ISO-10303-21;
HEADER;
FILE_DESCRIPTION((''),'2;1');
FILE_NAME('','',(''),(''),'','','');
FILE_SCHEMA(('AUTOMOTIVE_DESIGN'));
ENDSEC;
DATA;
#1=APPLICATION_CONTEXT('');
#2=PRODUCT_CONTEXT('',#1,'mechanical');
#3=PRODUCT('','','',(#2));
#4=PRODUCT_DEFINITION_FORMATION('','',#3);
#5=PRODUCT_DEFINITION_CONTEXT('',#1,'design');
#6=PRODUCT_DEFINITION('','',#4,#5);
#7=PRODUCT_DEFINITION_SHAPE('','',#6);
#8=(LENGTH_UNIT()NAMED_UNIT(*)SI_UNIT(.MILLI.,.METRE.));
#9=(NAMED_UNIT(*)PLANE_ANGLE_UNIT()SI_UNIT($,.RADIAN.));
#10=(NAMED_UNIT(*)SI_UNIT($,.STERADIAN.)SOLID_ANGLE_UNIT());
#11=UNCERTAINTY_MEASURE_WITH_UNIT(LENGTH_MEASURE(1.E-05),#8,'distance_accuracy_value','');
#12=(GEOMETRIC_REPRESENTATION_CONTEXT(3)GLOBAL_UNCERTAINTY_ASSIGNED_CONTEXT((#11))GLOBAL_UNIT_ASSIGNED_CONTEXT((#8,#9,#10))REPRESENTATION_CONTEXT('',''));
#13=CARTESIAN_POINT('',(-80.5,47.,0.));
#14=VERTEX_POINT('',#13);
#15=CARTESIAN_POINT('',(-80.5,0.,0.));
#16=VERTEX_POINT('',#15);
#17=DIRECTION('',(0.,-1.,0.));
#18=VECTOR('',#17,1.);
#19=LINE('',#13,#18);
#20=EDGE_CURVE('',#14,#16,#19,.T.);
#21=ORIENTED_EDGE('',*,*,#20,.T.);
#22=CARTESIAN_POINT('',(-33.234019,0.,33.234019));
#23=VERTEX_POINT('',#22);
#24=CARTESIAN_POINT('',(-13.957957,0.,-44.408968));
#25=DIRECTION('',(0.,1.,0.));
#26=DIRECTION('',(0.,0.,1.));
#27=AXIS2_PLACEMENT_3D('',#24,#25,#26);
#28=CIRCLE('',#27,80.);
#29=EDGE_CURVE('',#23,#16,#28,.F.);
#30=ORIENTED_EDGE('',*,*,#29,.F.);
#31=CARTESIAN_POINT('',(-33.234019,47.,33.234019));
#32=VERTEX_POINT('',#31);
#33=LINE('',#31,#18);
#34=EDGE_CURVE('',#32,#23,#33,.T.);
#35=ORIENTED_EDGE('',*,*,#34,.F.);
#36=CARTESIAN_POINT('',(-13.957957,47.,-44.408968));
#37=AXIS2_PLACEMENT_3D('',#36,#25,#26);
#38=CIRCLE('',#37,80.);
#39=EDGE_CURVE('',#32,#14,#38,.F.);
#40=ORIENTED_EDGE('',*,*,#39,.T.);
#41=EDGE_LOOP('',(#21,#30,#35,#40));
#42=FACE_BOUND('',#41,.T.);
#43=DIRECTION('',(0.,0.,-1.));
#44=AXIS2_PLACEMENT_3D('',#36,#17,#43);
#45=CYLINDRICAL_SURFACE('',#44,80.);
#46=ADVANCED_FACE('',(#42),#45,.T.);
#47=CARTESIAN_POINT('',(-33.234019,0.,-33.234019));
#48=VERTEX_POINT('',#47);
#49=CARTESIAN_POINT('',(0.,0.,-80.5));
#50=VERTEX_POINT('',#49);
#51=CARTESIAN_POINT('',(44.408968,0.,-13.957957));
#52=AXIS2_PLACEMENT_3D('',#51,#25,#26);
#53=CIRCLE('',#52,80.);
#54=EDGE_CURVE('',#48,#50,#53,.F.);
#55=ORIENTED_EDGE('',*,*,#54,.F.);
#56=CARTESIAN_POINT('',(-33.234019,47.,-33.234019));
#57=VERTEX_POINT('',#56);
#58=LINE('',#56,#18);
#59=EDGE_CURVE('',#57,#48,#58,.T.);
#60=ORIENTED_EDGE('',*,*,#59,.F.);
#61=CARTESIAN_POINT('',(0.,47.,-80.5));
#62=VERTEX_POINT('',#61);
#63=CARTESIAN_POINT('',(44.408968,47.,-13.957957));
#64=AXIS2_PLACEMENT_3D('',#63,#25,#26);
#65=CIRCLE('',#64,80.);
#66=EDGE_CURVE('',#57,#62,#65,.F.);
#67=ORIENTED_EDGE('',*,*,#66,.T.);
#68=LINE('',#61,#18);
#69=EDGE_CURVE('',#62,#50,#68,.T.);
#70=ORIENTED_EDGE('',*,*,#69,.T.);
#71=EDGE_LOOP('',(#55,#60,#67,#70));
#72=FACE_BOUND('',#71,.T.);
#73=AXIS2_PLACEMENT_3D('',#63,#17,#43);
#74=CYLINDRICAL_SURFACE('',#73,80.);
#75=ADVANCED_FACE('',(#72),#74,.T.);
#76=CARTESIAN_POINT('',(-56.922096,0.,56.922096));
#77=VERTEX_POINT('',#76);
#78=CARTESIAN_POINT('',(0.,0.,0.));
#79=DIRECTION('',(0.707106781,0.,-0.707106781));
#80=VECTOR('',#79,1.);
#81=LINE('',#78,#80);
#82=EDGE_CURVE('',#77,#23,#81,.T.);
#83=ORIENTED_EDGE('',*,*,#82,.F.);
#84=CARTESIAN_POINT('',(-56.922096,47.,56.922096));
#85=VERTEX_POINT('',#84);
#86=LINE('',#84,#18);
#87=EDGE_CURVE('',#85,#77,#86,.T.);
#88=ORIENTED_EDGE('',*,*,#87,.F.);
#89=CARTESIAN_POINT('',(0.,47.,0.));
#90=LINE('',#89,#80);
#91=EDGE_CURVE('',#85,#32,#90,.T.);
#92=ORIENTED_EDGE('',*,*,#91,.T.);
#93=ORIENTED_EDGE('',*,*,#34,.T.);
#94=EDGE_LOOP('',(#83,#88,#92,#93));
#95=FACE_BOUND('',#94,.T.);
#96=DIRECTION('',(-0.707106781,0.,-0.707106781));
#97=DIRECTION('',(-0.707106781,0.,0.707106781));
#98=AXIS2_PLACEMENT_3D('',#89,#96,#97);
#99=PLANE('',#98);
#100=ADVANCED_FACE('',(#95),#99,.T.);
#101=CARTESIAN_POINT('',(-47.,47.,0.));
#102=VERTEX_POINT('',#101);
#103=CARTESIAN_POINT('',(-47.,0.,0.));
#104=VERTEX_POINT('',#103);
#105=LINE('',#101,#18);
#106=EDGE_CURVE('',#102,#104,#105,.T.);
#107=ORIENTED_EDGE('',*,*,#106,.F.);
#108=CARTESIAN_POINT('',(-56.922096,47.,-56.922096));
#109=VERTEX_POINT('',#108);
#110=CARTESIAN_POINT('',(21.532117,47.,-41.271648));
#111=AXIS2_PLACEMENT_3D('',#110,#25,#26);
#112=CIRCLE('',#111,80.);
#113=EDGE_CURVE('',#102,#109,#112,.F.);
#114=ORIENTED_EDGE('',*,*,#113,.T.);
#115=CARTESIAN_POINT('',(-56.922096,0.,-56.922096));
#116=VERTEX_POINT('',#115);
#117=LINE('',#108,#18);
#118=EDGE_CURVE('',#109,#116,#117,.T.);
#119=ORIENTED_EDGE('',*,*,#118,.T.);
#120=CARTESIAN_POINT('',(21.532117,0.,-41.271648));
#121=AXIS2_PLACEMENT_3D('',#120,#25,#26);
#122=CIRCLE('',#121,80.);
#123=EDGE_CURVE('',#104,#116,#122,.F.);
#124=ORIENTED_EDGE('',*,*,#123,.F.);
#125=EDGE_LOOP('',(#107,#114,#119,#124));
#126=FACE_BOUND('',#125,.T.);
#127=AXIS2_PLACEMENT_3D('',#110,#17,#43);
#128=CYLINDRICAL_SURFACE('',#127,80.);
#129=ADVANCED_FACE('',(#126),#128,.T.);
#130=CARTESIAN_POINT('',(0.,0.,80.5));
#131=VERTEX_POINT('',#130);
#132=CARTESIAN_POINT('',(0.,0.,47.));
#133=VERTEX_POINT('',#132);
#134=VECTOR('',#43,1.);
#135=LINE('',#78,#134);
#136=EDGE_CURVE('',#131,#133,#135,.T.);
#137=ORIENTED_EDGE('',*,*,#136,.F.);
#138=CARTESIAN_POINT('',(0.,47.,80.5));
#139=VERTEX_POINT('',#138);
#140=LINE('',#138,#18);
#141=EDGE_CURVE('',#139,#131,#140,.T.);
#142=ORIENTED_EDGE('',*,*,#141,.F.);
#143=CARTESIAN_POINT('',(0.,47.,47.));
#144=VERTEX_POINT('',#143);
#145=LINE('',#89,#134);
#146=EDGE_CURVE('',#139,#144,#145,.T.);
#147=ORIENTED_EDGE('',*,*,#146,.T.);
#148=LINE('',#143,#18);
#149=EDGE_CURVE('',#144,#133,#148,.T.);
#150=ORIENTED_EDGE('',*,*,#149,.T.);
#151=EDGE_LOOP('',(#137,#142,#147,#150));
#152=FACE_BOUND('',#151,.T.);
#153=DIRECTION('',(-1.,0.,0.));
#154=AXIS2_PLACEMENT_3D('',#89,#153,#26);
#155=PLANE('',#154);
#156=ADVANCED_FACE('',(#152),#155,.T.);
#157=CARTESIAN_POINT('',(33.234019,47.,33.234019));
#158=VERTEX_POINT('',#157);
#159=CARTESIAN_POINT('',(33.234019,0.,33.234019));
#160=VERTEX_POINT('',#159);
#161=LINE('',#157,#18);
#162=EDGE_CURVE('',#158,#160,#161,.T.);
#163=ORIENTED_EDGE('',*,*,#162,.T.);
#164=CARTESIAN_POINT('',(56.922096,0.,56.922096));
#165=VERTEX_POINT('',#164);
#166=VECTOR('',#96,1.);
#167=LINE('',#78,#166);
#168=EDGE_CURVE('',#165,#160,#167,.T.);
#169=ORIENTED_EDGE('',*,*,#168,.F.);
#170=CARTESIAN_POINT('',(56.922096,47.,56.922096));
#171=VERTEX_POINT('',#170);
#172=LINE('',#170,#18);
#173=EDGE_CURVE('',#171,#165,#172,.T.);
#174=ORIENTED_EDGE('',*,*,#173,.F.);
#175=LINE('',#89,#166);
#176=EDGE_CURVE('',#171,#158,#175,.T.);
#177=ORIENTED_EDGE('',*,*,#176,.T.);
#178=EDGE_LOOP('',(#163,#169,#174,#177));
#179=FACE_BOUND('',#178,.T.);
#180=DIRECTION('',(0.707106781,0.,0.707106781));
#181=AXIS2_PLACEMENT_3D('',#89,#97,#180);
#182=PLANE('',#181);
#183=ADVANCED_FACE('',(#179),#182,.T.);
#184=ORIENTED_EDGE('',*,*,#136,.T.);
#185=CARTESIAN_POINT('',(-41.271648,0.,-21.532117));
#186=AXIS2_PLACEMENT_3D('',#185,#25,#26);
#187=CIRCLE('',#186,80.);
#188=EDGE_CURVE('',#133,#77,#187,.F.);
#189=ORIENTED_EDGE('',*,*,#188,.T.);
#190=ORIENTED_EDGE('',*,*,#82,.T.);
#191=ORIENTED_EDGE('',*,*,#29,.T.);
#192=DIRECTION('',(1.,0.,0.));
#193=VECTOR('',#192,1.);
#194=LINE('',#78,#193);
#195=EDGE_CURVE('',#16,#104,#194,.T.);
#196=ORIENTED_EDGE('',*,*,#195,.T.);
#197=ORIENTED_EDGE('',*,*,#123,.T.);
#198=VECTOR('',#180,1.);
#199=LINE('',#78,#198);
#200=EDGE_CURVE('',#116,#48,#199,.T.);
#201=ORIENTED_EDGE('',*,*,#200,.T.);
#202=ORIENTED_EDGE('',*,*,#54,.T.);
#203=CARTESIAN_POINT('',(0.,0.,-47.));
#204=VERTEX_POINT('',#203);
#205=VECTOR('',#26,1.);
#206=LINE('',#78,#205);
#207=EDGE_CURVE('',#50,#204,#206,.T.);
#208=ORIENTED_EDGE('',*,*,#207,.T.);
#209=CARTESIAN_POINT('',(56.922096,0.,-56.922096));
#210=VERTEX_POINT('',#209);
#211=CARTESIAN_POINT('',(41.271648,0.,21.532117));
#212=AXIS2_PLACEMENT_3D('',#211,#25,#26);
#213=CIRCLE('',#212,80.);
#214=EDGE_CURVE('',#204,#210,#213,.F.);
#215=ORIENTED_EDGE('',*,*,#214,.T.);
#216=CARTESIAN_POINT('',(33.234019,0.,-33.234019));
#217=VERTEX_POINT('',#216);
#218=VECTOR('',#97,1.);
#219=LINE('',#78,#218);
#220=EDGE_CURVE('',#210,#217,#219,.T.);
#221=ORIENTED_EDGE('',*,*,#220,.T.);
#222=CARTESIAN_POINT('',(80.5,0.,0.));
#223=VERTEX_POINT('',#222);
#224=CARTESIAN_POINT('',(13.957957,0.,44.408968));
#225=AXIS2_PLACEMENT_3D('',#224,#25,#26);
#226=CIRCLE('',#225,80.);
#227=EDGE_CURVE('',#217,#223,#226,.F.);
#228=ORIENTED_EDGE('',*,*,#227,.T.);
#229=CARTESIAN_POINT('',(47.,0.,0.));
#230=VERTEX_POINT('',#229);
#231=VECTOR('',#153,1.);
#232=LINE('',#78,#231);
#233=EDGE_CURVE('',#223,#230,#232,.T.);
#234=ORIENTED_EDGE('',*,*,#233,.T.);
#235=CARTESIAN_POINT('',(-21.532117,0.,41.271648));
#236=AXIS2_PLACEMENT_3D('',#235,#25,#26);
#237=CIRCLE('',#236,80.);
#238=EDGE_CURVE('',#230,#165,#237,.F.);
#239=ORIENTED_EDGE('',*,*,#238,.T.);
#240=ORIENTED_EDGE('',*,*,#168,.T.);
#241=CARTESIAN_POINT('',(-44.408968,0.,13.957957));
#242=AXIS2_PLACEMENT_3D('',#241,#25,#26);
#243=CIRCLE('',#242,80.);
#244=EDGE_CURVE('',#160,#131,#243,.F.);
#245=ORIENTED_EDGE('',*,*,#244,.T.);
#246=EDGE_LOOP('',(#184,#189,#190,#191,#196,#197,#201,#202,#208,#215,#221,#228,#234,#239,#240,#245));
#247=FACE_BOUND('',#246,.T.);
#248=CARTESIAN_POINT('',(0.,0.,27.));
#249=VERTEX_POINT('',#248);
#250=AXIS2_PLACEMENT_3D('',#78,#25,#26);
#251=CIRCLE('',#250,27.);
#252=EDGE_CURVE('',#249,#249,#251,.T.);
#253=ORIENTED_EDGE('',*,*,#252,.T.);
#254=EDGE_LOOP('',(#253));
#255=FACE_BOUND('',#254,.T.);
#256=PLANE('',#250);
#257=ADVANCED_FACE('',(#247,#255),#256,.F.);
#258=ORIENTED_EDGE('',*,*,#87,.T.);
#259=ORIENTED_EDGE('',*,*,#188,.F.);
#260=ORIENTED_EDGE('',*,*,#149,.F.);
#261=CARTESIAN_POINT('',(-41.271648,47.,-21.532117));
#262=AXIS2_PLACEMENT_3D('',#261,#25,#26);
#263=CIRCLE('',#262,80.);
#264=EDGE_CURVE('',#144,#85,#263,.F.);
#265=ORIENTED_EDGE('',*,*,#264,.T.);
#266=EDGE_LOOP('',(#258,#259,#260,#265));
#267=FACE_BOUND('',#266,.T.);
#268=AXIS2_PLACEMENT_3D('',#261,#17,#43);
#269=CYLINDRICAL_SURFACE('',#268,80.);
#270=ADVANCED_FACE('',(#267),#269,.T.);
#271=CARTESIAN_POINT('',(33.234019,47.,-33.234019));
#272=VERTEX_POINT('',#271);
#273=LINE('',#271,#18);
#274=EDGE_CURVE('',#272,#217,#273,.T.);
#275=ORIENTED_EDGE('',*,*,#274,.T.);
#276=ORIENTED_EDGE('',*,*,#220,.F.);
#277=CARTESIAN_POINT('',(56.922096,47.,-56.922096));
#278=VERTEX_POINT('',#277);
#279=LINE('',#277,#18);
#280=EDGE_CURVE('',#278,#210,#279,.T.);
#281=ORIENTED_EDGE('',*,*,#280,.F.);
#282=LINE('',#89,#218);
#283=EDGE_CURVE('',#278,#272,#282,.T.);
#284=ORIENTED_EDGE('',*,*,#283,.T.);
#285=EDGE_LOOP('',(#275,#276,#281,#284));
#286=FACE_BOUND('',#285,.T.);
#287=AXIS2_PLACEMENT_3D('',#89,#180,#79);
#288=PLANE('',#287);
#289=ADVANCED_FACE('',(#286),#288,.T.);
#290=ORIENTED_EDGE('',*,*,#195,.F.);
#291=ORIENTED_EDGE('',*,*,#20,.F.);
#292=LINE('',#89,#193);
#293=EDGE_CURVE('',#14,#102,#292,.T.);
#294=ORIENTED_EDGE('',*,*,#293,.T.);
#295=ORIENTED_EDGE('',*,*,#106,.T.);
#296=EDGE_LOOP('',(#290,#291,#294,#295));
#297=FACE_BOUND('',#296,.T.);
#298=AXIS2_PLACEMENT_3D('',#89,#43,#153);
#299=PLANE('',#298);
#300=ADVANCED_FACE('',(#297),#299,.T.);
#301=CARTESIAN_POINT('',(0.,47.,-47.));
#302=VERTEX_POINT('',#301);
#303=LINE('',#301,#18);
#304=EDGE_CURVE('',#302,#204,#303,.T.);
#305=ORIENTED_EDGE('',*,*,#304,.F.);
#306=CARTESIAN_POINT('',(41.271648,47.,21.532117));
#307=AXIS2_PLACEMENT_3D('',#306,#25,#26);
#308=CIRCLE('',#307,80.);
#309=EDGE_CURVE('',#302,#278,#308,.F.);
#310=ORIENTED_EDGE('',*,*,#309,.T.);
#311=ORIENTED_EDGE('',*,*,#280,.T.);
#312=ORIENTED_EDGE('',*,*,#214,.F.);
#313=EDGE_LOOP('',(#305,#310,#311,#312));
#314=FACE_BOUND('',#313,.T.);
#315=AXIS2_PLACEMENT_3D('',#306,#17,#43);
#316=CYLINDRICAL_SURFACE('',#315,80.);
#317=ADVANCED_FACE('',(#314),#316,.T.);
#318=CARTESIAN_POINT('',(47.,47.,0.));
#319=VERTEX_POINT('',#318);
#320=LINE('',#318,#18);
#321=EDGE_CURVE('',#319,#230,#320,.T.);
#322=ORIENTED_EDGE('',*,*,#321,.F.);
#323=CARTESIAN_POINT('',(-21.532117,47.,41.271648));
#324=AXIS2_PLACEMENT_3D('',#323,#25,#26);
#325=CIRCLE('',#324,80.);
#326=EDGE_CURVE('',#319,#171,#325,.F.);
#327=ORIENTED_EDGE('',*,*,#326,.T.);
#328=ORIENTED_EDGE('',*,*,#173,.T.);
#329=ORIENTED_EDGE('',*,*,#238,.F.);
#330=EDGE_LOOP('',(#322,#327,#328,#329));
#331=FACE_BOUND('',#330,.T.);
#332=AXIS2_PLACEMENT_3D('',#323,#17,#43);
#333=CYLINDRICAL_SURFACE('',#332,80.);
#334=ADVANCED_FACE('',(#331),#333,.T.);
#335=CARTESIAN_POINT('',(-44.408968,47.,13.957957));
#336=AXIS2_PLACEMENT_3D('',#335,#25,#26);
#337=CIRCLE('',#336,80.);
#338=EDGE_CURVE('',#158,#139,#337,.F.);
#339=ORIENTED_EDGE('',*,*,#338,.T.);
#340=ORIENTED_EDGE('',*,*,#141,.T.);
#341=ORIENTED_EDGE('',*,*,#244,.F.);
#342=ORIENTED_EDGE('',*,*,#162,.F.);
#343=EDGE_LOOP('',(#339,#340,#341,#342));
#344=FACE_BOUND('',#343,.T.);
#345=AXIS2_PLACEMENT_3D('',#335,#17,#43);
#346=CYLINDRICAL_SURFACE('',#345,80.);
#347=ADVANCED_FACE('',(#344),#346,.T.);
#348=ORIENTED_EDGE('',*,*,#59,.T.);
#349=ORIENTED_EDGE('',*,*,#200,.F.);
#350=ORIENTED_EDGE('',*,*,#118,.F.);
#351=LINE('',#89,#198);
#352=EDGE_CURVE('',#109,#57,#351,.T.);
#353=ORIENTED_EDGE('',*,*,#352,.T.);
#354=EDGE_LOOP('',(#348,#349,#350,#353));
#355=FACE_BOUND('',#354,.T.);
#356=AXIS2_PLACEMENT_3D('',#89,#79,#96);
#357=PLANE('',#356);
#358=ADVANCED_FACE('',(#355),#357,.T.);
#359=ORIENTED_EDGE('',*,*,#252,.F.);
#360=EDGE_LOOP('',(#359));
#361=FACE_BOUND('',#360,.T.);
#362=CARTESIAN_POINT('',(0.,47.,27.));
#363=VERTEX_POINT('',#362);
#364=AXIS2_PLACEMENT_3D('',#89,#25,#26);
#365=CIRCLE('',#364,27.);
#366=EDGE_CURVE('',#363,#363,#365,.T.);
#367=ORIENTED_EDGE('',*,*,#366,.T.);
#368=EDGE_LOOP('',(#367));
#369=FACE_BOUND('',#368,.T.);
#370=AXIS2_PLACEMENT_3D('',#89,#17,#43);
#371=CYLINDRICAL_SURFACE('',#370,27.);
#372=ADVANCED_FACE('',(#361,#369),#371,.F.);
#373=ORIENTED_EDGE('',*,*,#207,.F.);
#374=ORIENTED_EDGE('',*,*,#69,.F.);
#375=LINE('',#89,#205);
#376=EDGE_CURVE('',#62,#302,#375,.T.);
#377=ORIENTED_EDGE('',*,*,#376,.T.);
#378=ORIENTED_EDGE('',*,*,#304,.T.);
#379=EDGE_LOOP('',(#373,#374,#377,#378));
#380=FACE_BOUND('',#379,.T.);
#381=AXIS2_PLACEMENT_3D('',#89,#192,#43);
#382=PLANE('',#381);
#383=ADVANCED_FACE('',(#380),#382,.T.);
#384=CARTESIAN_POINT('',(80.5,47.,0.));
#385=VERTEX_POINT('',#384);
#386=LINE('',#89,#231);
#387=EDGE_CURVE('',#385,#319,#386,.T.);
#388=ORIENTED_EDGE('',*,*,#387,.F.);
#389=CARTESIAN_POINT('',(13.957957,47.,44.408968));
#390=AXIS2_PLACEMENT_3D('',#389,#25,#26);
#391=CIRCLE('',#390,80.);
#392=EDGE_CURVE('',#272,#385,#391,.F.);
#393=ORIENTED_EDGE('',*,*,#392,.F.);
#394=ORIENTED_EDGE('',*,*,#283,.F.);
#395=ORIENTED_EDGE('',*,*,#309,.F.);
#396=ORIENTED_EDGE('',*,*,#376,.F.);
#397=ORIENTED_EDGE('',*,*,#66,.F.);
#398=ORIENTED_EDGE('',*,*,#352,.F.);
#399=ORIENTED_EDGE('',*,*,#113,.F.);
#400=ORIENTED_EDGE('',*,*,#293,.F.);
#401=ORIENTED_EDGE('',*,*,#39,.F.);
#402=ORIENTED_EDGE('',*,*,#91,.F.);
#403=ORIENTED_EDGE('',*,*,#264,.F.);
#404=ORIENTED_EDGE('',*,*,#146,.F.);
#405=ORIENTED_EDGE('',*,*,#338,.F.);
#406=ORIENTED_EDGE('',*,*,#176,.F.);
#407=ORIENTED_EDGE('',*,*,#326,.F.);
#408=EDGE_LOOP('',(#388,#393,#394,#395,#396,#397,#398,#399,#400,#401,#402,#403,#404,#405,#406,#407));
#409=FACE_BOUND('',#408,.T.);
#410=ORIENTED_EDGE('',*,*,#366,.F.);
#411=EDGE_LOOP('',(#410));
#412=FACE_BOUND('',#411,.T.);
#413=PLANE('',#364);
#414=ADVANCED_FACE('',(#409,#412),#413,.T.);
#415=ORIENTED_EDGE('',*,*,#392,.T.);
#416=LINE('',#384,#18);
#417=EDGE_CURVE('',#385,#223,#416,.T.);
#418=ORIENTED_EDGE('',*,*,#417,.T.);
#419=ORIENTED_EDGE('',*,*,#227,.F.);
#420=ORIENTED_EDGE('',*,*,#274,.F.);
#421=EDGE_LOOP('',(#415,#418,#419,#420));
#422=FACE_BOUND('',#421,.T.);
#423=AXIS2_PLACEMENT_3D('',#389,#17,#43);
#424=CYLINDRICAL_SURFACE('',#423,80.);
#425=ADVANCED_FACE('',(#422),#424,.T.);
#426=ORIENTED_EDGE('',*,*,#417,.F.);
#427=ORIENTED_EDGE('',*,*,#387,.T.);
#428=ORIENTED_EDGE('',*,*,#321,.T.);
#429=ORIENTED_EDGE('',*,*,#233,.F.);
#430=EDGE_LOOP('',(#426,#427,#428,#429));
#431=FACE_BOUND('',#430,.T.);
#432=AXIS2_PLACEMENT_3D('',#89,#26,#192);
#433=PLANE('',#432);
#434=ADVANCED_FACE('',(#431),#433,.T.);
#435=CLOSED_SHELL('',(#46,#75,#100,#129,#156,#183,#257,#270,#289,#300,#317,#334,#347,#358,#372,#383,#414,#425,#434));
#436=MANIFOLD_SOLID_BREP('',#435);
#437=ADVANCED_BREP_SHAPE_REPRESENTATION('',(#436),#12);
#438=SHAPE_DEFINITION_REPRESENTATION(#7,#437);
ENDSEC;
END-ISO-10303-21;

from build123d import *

# Parameters (mm, degrees)
SKETCH_1_R      = 27
EXTRUDE_1_DEPTH = 47


with BuildPart() as part:
    # Эскиз1 → Бобышка-Вытянуть1 (new body)
    with BuildSketch(Plane(origin=(0, 0, 0), x_dir=(1, 0, 0), z_dir=(0, 1, 0))):
        with BuildLine():
            ThreePointArc((47, 0), (33.234018716, 33.234018716), (0, 47))
            ThreePointArc((0, 47), (-33.234018716, 33.234018716), (-47, 0))
            ThreePointArc((-47, 0), (-33.234018716, -33.234018716), (0, -47))
            ThreePointArc((0, -47), (33.234018716, -33.234018716), (47, 0))
        make_face()
        Circle(SKETCH_1_R, mode=Mode.SUBTRACT)
        with BuildLine():
            ThreePointArc((-47, 0), (-43.422338028, 17.986121321), (-33.234018716, 33.234018716))
            Line((-33.234018716, 33.234018716), (-56.922095886, 56.922095886))
            ThreePointArc((-56.922095886, 56.922095886), (-57.279535343, 27.533981904), (-47, 0))
        make_face()
        with BuildLine():
            ThreePointArc((-33.234018716, 33.234018716), (-17.986121321, 43.422338028), (0, 47))
            Line((0, 47), (0, 80.5))
            ThreePointArc((0, 80.5), (-21.033282547, 59.972213182), (-33.234018716, 33.234018716))
        make_face()
        with BuildLine():
            Line((33.234018716, 33.234018716), (56.922095886, 56.922095886))
            ThreePointArc((56.922095886, 56.922095886), (27.533981904, 57.279535343), (0, 47))
            ThreePointArc((0, 47), (17.986121321, 43.422338028), (33.234018716, 33.234018716))
        make_face()
        with BuildLine():
            ThreePointArc((80.5, 0), (59.972213182, 21.033282547), (33.234018716, 33.234018716))
            ThreePointArc((33.234018716, 33.234018716), (43.422338028, 17.986121321), (47, 0))
            Line((47, 0), (80.5, 0))
        make_face()
        with BuildLine():
            ThreePointArc((56.922095886, -56.922095886), (57.279535343, -27.533981904), (47, 0))
            ThreePointArc((47, 0), (43.422338028, -17.986121321), (33.234018716, -33.234018716))
            Line((33.234018716, -33.234018716), (56.922095886, -56.922095886))
        make_face()
        with BuildLine():
            ThreePointArc((0, -80.5), (21.033282547, -59.972213182), (33.234018716, -33.234018716))
            ThreePointArc((33.234018716, -33.234018716), (17.986121321, -43.422338028), (0, -47))
            Line((0, -47), (0, -80.5))
        make_face()
        with BuildLine():
            ThreePointArc((-56.922095886, -56.922095886), (-27.533981904, -57.279535343), (0, -47))
            ThreePointArc((0, -47), (-17.986121321, -43.422338028), (-33.234018716, -33.234018716))
            Line((-33.234018716, -33.234018716), (-56.922095886, -56.922095886))
        make_face()
        with BuildLine():
            ThreePointArc((-33.234018716, -33.234018716), (-43.422338028, -17.986121321), (-47, 0))
            Line((-47, 0), (-80.5, 0))
            ThreePointArc((-80.5, 0), (-59.972213182, -21.033282547), (-33.234018716, -33.234018716))
        make_face()
    extrude(amount=EXTRUDE_1_DEPTH)


solid = part.part
